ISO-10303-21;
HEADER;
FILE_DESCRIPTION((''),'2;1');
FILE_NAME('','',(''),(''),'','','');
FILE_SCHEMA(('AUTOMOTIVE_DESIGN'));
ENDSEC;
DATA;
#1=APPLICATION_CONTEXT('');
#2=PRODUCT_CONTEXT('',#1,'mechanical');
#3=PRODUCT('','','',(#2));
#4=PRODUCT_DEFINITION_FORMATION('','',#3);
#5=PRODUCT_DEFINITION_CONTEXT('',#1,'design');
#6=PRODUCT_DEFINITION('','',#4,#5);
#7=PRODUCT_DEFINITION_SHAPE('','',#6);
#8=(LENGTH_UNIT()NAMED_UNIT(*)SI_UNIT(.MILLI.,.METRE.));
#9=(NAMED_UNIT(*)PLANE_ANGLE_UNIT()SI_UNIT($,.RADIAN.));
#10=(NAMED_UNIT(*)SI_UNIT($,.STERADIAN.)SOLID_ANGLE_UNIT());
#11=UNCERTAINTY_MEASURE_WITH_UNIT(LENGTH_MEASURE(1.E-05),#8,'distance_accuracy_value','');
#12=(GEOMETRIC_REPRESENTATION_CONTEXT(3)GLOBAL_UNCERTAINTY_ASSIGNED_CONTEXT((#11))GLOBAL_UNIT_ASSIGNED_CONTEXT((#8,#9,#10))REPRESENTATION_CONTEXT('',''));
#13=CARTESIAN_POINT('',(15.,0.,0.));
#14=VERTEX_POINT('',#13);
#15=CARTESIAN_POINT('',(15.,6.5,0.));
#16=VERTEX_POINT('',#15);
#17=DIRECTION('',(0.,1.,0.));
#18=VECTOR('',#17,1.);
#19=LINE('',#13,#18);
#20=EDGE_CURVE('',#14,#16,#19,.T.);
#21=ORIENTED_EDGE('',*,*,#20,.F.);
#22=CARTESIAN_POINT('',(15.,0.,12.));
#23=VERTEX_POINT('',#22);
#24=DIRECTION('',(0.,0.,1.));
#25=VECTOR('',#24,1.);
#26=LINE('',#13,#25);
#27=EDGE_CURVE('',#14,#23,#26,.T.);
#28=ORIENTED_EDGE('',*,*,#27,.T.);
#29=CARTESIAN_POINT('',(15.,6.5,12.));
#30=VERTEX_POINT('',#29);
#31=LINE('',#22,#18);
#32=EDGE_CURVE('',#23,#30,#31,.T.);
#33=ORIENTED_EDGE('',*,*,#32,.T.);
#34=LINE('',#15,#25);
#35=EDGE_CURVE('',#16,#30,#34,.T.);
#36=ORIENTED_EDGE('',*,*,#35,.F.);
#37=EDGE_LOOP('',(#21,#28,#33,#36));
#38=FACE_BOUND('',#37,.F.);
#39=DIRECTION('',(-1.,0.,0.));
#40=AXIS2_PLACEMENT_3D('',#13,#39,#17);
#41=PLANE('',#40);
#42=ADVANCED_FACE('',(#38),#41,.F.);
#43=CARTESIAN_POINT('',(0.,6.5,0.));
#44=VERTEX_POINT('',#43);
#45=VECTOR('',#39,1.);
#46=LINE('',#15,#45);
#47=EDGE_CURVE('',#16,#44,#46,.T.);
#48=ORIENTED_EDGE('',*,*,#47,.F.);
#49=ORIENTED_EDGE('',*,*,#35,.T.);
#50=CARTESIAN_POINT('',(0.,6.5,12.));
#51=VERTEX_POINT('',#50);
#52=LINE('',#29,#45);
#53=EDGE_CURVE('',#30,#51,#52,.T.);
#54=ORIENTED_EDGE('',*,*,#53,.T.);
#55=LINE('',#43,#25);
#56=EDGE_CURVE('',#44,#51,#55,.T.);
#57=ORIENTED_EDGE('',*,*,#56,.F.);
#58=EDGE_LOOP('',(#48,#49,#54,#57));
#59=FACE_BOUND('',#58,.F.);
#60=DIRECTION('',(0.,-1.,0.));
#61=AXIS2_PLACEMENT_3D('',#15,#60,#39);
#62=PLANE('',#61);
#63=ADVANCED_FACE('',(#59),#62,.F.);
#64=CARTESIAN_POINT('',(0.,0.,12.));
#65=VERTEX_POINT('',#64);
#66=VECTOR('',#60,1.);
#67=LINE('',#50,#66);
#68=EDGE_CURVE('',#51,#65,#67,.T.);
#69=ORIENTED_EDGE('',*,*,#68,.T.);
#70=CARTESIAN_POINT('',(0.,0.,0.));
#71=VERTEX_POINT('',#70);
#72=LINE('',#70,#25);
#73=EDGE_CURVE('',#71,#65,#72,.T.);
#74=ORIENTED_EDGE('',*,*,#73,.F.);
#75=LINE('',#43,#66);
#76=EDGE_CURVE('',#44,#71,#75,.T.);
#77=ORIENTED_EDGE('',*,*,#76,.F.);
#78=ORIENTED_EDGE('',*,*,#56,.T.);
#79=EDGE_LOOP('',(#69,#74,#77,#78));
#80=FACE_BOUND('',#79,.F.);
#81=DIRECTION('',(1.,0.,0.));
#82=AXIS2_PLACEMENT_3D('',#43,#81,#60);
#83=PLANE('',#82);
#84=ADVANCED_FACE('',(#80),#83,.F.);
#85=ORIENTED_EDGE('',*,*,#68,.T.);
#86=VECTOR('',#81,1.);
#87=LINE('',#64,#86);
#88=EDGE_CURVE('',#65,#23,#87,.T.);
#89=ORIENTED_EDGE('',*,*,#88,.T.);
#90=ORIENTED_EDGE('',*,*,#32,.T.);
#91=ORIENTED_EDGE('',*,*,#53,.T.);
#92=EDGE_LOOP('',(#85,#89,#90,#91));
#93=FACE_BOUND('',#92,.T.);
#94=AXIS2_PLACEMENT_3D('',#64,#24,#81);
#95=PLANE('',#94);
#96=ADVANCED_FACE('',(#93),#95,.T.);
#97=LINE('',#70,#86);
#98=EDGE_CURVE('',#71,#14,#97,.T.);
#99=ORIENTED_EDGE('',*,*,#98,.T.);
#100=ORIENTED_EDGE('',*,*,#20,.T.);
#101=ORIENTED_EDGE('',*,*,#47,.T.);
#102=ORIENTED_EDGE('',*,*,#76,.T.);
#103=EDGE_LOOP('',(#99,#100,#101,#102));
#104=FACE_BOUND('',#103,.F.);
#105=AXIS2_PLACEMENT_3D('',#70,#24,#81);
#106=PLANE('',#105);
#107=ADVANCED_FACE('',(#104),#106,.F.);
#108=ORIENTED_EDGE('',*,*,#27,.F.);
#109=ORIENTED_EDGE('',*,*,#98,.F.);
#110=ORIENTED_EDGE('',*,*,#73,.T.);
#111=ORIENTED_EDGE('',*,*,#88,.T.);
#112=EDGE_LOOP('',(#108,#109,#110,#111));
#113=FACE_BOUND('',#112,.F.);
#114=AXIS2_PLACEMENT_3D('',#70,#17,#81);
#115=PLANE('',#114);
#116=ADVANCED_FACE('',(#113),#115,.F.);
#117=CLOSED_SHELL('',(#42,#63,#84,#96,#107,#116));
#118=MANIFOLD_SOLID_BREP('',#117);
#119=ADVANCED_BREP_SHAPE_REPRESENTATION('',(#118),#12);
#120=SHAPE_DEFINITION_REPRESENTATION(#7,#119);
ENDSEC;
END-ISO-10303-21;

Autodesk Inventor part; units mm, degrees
ref_plane "YZ Plane" through (0, 0, 0) normal (1, 0, 0) x (0, 1, 0)
ref_plane "XZ Plane" through (0, 0, 0) normal (0, 1, 0) x (-1, 0, 0)
ref_plane "XY Plane" through (0, 0, 0) normal (0, 0, 1) x (1, 0, 0)
sketch "Sketch1" plane through (0, 0, 0) normal (0, 0, 1) x (1, 0, 0)
  line L0 (0, 0) -> (15, 0)
  line L1 (15, 0) -> (15, 6.5)
  line L2 (15, 6.5) -> (0, 6.5)
  line L3 (0, 6.5) -> (0, 0)
  dimension "d0" = 15
  dimension "d1" = 6.5
extrude "Extrusion1" add sketch "Sketch1" along normal blind 12
properties part number "R005" material "Acier / Stahl"
